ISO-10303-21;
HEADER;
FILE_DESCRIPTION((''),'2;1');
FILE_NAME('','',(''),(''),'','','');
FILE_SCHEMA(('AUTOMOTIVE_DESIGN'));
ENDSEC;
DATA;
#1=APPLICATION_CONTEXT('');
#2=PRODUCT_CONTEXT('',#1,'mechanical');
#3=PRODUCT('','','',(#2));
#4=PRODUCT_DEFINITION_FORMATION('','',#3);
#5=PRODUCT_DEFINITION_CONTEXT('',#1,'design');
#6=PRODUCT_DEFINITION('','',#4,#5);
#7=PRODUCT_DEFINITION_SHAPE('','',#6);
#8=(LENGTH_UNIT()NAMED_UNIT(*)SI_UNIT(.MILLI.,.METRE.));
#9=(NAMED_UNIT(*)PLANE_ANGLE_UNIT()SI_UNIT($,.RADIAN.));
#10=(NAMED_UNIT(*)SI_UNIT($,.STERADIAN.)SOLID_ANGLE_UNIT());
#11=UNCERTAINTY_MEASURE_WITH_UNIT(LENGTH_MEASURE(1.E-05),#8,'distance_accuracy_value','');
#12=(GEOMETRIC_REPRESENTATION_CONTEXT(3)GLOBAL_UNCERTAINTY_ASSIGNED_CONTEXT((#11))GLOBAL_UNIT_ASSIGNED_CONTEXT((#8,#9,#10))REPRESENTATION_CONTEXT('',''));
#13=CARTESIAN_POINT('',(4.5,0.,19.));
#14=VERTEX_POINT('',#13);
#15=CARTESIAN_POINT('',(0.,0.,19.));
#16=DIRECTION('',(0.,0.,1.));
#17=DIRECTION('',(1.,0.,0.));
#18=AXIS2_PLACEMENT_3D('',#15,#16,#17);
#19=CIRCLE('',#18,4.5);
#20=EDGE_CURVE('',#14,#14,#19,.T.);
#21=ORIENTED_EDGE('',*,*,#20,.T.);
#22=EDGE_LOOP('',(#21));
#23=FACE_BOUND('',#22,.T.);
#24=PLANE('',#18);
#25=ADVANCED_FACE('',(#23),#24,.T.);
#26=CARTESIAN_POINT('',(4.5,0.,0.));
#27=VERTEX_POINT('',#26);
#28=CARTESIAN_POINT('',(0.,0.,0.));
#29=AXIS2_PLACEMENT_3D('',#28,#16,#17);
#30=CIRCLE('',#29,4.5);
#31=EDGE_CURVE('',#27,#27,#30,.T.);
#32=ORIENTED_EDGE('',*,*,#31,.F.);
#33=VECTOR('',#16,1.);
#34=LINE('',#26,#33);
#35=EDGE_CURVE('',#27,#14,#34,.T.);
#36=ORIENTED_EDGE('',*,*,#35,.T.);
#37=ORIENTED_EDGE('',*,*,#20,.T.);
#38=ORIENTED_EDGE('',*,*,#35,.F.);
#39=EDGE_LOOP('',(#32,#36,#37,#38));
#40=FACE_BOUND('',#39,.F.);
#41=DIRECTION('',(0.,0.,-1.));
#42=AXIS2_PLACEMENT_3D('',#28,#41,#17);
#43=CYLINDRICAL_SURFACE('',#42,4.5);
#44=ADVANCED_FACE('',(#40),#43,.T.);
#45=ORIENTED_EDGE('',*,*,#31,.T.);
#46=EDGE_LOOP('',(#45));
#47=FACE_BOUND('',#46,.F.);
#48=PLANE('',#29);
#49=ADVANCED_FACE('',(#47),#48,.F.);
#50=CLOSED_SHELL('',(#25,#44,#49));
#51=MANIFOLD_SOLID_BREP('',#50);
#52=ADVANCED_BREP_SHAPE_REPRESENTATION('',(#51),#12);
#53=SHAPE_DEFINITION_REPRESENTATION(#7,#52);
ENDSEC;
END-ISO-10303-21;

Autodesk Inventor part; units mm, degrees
ref_plane "YZ Plane" through (0, 0, 0) normal (1, 0, 0) x (0, 1, 0)
ref_plane "XZ Plane" through (0, 0, 0) normal (0, 1, 0) x (-1, 0, 0)
ref_plane "XY Plane" through (0, 0, 0) normal (0, 0, 1) x (1, 0, 0)
sketch "Sketch1" plane through (0, 0, 0) normal (0, 0, 1) x (1, 0, 0)
  circle A0 centre (0, 0) radius 4.5
  dimension "d0" = 9
extrude "Extrusion1" add sketch "Sketch1" along normal blind 19
properties part number "pIST"
